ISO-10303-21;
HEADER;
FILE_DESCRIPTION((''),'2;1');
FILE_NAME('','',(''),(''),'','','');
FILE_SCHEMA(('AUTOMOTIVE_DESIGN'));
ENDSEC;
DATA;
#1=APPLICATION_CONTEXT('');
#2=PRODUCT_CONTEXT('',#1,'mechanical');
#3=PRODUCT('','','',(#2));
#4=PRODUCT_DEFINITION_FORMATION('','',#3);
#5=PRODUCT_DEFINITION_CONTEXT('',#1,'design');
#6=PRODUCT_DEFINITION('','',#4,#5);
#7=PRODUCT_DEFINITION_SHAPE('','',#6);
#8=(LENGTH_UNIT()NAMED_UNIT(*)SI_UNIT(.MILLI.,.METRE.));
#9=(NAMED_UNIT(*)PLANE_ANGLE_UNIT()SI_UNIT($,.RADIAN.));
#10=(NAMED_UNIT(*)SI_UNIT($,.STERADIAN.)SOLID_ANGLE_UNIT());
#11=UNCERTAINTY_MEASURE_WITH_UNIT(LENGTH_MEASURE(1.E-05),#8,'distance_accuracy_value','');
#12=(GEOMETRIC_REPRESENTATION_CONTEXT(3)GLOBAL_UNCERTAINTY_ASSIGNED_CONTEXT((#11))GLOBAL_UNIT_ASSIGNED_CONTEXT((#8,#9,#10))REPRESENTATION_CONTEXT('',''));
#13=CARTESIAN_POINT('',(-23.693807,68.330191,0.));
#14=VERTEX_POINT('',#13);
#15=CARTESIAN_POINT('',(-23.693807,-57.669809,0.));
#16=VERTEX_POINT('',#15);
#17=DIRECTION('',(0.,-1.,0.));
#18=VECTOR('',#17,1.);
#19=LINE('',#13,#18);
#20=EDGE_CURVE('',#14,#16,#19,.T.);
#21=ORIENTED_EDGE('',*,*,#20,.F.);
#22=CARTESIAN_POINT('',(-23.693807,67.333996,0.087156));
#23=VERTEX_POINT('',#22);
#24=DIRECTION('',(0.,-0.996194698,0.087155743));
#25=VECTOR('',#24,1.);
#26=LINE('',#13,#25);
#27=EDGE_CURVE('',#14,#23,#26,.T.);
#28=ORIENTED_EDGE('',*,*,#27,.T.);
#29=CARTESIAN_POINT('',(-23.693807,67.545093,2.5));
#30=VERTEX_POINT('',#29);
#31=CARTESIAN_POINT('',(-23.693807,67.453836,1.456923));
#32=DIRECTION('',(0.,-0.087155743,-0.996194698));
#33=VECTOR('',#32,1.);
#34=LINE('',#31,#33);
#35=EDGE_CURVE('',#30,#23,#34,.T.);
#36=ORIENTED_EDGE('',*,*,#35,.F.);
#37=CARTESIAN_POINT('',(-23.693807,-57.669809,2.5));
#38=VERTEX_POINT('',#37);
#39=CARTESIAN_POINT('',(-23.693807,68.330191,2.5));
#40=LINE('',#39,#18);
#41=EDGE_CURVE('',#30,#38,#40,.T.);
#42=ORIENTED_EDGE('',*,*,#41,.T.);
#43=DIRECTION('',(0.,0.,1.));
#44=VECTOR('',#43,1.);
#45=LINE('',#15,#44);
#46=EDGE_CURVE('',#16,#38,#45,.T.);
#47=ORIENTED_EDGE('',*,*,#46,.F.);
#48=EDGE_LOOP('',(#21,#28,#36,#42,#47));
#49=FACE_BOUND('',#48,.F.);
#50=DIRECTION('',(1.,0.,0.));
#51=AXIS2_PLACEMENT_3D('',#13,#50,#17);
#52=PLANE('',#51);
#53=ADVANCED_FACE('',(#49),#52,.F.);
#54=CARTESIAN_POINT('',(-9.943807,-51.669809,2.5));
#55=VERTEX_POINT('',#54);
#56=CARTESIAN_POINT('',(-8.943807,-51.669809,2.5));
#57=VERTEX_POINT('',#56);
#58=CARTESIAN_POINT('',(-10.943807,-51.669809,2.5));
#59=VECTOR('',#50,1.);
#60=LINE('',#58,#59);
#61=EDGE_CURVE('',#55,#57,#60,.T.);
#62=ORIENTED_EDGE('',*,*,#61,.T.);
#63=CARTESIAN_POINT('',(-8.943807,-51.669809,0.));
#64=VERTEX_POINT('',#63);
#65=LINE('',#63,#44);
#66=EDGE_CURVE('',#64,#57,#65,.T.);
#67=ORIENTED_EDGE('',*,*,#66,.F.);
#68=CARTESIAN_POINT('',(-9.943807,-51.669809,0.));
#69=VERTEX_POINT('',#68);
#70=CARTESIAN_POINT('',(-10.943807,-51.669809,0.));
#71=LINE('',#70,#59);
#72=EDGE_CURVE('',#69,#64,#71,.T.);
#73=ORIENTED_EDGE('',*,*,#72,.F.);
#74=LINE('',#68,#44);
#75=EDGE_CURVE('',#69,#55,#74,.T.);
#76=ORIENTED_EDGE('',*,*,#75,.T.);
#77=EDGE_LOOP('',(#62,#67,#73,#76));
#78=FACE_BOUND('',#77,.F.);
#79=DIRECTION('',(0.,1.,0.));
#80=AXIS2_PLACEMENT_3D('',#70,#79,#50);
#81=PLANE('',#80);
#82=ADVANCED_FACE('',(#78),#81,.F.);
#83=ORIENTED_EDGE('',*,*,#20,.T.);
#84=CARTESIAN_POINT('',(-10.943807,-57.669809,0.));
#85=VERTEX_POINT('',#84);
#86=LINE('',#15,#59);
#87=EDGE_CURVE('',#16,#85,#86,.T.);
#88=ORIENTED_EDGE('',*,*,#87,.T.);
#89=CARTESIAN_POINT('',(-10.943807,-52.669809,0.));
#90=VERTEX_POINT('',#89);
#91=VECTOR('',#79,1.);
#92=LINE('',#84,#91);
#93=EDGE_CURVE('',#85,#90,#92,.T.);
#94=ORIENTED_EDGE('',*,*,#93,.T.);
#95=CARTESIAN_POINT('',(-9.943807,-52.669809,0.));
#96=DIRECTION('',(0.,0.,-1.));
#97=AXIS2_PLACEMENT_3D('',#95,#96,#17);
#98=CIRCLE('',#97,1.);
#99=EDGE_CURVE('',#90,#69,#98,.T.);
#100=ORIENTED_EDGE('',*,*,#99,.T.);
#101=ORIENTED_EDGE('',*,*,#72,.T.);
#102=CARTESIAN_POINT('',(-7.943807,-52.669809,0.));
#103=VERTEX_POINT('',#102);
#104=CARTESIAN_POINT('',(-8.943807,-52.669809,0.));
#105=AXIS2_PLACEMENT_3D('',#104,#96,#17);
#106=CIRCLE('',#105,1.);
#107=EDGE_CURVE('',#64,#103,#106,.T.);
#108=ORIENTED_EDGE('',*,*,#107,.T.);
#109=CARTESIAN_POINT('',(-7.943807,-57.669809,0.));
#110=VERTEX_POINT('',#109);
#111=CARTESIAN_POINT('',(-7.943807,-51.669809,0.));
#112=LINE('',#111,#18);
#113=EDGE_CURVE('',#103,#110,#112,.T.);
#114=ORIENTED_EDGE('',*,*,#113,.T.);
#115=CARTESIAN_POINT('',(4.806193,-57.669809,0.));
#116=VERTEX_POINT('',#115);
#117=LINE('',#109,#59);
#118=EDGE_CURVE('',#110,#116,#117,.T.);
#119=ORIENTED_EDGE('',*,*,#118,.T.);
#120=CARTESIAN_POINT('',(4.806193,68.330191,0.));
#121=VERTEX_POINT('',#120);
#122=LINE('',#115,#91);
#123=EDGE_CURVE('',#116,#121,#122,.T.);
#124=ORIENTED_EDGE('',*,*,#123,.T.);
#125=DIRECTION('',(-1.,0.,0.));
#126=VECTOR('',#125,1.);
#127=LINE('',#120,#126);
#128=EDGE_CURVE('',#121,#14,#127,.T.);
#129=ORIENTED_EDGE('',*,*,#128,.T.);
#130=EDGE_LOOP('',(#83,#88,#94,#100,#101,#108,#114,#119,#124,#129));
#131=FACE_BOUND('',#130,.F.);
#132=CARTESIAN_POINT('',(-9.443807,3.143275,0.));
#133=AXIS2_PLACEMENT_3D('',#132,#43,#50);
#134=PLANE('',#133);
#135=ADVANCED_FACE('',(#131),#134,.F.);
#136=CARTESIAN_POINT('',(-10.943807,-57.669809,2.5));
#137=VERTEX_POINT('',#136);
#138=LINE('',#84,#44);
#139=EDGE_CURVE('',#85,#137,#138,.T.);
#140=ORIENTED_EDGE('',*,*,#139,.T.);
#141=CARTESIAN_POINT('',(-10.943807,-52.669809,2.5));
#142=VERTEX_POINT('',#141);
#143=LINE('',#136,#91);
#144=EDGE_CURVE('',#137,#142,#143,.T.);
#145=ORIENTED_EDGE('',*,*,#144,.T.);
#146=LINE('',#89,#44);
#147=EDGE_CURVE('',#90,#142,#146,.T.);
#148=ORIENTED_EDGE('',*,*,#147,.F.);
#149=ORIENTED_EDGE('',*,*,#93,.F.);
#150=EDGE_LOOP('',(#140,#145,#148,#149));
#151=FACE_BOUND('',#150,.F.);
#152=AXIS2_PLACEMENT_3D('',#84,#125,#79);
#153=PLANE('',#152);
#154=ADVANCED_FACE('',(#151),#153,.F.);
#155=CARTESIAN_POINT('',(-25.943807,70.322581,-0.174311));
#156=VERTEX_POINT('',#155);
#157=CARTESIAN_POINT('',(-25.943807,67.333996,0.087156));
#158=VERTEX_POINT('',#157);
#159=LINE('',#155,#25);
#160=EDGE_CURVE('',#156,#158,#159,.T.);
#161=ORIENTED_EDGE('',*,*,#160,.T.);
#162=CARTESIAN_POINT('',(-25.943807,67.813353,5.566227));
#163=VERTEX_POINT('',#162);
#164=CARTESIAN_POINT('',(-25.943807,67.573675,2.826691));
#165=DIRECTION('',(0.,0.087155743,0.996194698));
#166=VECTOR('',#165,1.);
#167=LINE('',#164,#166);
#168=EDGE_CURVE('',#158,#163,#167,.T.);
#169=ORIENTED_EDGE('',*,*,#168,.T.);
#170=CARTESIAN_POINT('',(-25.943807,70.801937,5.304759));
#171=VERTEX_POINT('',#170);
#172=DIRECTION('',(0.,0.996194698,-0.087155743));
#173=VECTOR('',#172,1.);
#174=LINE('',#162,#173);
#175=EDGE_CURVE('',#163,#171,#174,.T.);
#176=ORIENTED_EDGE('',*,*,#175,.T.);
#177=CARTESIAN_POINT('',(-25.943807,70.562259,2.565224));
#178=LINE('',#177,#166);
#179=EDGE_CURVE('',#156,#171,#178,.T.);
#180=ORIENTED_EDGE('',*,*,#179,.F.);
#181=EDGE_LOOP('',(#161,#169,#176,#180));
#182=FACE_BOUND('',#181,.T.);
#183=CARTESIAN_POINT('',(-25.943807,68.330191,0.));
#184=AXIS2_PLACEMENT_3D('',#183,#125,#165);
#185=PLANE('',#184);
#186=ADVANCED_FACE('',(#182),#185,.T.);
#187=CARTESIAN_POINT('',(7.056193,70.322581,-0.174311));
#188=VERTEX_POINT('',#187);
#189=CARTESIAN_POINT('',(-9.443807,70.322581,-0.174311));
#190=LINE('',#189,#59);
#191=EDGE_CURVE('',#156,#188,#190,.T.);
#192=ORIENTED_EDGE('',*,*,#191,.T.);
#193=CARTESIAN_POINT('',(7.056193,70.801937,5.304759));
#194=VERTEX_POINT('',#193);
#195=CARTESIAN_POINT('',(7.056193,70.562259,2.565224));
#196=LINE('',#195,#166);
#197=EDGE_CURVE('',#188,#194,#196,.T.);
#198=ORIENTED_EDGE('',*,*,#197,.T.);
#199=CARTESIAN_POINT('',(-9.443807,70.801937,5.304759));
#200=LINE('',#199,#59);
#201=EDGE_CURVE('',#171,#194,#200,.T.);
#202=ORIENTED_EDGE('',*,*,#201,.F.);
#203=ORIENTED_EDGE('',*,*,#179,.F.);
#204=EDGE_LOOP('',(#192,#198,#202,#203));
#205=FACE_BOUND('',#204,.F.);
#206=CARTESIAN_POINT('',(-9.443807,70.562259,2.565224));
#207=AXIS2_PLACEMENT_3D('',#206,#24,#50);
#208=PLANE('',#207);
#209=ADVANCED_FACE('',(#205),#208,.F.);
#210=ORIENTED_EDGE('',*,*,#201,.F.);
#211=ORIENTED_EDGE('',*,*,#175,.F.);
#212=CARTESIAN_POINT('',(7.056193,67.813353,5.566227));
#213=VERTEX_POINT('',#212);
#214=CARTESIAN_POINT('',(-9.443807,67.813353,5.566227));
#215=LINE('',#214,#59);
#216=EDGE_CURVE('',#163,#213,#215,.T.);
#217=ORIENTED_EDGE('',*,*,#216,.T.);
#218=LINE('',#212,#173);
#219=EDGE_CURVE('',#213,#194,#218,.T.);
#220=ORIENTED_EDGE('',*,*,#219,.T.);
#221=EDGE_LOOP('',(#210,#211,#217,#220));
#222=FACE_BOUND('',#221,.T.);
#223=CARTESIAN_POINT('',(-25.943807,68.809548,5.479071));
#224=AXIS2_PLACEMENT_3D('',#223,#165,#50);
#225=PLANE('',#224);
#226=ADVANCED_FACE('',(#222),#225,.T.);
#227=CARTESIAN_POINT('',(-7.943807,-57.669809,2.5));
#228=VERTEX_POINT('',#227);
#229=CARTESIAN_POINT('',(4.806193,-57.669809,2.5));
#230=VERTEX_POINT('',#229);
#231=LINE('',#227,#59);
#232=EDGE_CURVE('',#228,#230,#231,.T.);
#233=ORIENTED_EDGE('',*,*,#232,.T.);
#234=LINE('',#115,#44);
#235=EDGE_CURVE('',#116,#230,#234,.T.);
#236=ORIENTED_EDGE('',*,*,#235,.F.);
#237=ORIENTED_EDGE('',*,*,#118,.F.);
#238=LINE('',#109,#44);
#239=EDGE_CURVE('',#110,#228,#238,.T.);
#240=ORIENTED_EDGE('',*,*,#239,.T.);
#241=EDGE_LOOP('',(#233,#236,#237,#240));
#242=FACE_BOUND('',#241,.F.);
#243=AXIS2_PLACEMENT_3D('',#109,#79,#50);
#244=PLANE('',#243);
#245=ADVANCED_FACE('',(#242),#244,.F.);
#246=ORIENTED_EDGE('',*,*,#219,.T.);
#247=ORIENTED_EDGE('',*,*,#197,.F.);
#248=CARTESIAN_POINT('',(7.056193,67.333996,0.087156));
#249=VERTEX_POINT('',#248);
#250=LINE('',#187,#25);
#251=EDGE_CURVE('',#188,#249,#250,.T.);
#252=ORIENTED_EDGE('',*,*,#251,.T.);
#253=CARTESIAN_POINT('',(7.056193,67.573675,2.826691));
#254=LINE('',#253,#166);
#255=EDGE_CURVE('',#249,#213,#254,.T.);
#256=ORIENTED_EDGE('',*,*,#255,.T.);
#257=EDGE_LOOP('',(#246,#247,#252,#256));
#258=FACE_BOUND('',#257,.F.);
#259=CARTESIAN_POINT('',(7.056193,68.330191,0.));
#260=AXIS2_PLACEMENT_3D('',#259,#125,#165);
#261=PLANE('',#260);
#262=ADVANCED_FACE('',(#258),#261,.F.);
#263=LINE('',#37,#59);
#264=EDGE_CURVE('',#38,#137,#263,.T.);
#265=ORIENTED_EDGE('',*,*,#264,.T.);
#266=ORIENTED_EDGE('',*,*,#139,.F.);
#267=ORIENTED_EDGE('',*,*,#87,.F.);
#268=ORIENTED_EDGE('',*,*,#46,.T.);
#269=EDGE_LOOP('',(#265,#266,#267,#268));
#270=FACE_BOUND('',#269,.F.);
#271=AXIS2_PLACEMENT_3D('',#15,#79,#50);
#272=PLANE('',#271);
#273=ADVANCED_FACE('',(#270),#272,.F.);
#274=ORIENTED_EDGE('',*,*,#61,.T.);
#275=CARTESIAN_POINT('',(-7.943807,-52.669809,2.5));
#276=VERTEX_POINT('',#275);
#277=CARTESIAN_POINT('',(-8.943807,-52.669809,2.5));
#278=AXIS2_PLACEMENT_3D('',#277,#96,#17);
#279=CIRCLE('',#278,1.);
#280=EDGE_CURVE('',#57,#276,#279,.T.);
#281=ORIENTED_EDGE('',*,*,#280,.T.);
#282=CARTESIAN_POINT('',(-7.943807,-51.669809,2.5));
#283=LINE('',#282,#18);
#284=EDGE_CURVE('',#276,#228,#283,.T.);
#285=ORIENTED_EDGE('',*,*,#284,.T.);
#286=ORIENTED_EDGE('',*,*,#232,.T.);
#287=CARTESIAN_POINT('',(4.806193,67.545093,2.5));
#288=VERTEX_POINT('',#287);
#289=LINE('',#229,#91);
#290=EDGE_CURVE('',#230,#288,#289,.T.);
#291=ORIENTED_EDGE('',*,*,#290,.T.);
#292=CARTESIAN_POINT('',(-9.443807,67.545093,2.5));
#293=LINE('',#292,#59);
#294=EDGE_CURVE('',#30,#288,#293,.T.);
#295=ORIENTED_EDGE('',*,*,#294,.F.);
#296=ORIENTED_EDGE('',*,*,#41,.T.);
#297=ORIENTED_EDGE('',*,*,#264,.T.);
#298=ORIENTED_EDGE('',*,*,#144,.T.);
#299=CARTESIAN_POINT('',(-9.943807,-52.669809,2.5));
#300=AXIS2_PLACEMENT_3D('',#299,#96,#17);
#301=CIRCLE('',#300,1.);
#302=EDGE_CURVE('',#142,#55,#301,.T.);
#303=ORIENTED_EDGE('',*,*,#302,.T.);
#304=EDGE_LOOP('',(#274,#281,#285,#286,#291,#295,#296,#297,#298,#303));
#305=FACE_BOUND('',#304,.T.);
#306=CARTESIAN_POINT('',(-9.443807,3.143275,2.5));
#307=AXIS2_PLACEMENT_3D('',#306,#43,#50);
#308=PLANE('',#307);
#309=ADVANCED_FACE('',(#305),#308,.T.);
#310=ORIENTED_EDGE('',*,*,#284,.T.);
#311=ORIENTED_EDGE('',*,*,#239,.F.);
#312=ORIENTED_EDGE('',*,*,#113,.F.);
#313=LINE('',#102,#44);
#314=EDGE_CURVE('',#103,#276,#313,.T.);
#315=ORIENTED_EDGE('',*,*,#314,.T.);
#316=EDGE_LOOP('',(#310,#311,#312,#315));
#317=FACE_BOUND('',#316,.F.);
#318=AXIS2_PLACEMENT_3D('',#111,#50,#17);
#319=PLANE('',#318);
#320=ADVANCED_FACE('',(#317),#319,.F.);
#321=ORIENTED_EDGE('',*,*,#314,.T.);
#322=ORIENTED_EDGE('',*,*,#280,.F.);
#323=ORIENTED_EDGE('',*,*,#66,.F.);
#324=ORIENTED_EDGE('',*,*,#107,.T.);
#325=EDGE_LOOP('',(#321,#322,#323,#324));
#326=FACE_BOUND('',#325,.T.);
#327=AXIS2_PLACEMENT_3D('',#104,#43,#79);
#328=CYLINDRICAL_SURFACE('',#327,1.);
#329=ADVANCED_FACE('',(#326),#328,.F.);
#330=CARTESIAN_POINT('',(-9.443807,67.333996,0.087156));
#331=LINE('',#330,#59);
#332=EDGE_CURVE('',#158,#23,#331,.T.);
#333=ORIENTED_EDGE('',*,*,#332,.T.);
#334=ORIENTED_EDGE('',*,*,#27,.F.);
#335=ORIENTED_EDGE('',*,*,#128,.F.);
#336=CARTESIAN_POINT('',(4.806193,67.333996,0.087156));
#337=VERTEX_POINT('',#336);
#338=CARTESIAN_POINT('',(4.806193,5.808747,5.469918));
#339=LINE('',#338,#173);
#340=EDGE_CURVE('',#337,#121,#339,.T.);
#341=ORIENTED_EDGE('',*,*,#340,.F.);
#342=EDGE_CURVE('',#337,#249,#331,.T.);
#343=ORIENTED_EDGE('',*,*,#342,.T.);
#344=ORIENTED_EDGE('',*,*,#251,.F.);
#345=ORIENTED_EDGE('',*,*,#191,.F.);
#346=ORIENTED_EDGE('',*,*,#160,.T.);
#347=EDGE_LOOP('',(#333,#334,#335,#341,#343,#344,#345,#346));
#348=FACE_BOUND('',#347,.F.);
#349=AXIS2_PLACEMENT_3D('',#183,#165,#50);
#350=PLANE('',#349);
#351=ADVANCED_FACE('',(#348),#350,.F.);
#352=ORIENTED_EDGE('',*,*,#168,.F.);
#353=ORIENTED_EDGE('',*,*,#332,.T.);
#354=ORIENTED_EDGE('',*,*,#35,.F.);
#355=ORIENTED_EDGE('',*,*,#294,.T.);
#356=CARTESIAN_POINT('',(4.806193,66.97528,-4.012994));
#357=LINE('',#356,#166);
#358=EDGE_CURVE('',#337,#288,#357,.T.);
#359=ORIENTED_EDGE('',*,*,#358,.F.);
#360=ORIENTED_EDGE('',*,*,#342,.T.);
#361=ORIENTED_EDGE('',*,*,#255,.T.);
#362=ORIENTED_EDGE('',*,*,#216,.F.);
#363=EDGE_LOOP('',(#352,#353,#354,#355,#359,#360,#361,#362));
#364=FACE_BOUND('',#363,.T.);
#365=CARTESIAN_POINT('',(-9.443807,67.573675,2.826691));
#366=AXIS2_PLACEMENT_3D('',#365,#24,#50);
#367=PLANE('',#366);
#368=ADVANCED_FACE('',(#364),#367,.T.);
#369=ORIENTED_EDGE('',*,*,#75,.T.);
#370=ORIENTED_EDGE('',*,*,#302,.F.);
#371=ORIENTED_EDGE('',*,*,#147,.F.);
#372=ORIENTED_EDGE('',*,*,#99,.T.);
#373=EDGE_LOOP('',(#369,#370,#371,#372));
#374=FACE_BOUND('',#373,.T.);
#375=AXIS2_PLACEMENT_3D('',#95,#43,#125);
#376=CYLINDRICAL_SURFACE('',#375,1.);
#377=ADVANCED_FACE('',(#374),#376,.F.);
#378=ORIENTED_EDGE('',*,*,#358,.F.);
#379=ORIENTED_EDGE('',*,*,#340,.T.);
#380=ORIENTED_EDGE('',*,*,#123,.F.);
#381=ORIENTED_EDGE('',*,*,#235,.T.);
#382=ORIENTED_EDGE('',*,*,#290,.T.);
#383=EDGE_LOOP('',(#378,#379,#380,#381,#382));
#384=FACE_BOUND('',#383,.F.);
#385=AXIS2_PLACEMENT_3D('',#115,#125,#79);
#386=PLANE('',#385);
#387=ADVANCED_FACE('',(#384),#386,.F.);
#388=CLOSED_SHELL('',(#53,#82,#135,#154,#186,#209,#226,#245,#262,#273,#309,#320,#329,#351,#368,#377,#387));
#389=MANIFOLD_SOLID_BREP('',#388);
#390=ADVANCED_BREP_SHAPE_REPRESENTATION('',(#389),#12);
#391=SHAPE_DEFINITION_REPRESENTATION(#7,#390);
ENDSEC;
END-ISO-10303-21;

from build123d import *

# Parameters (mm, degrees)
F1_DEPTH      = 2.5
F2_R          = 1
F4_W          = 33
F4_H          = 5.5
F5_DEPTH      = 2
F5_DEPTH_BACK = 1


with BuildPart() as f1:
    # F0 (on Top) → F1 (new body)
    with BuildSketch(Plane.XY):
        Polygon((-23.6938069443, 68.3301911354), (-23.6938069443, -57.6698088646), (-10.9438069443, -57.6698088646), (-10.9438069443, -51.6698088646), (-7.9438069443, -51.6698088646), (-7.9438069443, -57.6698088646), (4.8061930557, -57.6698088646), (4.8061930557, 68.3301911354), align=None)
    extrude(amount=F1_DEPTH)

    # F2
    f2_edges = [f1.edges().sort_by_distance(p)[0] for p in [
        (-10.943807, -51.669809, 1.25),
        (-7.943807, -51.669809, 1.25),
    ]]
    fillet(f2_edges, radius=F2_R)

    # F4 (on face) → F5 (join, two sides)
    with BuildSketch(Plane(origin=(0, 67.8111465652, -5.9327065851), x_dir=(1, 0, 0), z_dir=(0, -0.9961946981, 0.0871557427))) as f5_sk:
        with Locations((-9.4438069443, 8.7053685605)):
            Rectangle(F4_W, F4_H)
    extrude(amount=-F5_DEPTH)
    extrude(f5_sk.sketch, amount=F5_DEPTH_BACK)


solid = f1.part
